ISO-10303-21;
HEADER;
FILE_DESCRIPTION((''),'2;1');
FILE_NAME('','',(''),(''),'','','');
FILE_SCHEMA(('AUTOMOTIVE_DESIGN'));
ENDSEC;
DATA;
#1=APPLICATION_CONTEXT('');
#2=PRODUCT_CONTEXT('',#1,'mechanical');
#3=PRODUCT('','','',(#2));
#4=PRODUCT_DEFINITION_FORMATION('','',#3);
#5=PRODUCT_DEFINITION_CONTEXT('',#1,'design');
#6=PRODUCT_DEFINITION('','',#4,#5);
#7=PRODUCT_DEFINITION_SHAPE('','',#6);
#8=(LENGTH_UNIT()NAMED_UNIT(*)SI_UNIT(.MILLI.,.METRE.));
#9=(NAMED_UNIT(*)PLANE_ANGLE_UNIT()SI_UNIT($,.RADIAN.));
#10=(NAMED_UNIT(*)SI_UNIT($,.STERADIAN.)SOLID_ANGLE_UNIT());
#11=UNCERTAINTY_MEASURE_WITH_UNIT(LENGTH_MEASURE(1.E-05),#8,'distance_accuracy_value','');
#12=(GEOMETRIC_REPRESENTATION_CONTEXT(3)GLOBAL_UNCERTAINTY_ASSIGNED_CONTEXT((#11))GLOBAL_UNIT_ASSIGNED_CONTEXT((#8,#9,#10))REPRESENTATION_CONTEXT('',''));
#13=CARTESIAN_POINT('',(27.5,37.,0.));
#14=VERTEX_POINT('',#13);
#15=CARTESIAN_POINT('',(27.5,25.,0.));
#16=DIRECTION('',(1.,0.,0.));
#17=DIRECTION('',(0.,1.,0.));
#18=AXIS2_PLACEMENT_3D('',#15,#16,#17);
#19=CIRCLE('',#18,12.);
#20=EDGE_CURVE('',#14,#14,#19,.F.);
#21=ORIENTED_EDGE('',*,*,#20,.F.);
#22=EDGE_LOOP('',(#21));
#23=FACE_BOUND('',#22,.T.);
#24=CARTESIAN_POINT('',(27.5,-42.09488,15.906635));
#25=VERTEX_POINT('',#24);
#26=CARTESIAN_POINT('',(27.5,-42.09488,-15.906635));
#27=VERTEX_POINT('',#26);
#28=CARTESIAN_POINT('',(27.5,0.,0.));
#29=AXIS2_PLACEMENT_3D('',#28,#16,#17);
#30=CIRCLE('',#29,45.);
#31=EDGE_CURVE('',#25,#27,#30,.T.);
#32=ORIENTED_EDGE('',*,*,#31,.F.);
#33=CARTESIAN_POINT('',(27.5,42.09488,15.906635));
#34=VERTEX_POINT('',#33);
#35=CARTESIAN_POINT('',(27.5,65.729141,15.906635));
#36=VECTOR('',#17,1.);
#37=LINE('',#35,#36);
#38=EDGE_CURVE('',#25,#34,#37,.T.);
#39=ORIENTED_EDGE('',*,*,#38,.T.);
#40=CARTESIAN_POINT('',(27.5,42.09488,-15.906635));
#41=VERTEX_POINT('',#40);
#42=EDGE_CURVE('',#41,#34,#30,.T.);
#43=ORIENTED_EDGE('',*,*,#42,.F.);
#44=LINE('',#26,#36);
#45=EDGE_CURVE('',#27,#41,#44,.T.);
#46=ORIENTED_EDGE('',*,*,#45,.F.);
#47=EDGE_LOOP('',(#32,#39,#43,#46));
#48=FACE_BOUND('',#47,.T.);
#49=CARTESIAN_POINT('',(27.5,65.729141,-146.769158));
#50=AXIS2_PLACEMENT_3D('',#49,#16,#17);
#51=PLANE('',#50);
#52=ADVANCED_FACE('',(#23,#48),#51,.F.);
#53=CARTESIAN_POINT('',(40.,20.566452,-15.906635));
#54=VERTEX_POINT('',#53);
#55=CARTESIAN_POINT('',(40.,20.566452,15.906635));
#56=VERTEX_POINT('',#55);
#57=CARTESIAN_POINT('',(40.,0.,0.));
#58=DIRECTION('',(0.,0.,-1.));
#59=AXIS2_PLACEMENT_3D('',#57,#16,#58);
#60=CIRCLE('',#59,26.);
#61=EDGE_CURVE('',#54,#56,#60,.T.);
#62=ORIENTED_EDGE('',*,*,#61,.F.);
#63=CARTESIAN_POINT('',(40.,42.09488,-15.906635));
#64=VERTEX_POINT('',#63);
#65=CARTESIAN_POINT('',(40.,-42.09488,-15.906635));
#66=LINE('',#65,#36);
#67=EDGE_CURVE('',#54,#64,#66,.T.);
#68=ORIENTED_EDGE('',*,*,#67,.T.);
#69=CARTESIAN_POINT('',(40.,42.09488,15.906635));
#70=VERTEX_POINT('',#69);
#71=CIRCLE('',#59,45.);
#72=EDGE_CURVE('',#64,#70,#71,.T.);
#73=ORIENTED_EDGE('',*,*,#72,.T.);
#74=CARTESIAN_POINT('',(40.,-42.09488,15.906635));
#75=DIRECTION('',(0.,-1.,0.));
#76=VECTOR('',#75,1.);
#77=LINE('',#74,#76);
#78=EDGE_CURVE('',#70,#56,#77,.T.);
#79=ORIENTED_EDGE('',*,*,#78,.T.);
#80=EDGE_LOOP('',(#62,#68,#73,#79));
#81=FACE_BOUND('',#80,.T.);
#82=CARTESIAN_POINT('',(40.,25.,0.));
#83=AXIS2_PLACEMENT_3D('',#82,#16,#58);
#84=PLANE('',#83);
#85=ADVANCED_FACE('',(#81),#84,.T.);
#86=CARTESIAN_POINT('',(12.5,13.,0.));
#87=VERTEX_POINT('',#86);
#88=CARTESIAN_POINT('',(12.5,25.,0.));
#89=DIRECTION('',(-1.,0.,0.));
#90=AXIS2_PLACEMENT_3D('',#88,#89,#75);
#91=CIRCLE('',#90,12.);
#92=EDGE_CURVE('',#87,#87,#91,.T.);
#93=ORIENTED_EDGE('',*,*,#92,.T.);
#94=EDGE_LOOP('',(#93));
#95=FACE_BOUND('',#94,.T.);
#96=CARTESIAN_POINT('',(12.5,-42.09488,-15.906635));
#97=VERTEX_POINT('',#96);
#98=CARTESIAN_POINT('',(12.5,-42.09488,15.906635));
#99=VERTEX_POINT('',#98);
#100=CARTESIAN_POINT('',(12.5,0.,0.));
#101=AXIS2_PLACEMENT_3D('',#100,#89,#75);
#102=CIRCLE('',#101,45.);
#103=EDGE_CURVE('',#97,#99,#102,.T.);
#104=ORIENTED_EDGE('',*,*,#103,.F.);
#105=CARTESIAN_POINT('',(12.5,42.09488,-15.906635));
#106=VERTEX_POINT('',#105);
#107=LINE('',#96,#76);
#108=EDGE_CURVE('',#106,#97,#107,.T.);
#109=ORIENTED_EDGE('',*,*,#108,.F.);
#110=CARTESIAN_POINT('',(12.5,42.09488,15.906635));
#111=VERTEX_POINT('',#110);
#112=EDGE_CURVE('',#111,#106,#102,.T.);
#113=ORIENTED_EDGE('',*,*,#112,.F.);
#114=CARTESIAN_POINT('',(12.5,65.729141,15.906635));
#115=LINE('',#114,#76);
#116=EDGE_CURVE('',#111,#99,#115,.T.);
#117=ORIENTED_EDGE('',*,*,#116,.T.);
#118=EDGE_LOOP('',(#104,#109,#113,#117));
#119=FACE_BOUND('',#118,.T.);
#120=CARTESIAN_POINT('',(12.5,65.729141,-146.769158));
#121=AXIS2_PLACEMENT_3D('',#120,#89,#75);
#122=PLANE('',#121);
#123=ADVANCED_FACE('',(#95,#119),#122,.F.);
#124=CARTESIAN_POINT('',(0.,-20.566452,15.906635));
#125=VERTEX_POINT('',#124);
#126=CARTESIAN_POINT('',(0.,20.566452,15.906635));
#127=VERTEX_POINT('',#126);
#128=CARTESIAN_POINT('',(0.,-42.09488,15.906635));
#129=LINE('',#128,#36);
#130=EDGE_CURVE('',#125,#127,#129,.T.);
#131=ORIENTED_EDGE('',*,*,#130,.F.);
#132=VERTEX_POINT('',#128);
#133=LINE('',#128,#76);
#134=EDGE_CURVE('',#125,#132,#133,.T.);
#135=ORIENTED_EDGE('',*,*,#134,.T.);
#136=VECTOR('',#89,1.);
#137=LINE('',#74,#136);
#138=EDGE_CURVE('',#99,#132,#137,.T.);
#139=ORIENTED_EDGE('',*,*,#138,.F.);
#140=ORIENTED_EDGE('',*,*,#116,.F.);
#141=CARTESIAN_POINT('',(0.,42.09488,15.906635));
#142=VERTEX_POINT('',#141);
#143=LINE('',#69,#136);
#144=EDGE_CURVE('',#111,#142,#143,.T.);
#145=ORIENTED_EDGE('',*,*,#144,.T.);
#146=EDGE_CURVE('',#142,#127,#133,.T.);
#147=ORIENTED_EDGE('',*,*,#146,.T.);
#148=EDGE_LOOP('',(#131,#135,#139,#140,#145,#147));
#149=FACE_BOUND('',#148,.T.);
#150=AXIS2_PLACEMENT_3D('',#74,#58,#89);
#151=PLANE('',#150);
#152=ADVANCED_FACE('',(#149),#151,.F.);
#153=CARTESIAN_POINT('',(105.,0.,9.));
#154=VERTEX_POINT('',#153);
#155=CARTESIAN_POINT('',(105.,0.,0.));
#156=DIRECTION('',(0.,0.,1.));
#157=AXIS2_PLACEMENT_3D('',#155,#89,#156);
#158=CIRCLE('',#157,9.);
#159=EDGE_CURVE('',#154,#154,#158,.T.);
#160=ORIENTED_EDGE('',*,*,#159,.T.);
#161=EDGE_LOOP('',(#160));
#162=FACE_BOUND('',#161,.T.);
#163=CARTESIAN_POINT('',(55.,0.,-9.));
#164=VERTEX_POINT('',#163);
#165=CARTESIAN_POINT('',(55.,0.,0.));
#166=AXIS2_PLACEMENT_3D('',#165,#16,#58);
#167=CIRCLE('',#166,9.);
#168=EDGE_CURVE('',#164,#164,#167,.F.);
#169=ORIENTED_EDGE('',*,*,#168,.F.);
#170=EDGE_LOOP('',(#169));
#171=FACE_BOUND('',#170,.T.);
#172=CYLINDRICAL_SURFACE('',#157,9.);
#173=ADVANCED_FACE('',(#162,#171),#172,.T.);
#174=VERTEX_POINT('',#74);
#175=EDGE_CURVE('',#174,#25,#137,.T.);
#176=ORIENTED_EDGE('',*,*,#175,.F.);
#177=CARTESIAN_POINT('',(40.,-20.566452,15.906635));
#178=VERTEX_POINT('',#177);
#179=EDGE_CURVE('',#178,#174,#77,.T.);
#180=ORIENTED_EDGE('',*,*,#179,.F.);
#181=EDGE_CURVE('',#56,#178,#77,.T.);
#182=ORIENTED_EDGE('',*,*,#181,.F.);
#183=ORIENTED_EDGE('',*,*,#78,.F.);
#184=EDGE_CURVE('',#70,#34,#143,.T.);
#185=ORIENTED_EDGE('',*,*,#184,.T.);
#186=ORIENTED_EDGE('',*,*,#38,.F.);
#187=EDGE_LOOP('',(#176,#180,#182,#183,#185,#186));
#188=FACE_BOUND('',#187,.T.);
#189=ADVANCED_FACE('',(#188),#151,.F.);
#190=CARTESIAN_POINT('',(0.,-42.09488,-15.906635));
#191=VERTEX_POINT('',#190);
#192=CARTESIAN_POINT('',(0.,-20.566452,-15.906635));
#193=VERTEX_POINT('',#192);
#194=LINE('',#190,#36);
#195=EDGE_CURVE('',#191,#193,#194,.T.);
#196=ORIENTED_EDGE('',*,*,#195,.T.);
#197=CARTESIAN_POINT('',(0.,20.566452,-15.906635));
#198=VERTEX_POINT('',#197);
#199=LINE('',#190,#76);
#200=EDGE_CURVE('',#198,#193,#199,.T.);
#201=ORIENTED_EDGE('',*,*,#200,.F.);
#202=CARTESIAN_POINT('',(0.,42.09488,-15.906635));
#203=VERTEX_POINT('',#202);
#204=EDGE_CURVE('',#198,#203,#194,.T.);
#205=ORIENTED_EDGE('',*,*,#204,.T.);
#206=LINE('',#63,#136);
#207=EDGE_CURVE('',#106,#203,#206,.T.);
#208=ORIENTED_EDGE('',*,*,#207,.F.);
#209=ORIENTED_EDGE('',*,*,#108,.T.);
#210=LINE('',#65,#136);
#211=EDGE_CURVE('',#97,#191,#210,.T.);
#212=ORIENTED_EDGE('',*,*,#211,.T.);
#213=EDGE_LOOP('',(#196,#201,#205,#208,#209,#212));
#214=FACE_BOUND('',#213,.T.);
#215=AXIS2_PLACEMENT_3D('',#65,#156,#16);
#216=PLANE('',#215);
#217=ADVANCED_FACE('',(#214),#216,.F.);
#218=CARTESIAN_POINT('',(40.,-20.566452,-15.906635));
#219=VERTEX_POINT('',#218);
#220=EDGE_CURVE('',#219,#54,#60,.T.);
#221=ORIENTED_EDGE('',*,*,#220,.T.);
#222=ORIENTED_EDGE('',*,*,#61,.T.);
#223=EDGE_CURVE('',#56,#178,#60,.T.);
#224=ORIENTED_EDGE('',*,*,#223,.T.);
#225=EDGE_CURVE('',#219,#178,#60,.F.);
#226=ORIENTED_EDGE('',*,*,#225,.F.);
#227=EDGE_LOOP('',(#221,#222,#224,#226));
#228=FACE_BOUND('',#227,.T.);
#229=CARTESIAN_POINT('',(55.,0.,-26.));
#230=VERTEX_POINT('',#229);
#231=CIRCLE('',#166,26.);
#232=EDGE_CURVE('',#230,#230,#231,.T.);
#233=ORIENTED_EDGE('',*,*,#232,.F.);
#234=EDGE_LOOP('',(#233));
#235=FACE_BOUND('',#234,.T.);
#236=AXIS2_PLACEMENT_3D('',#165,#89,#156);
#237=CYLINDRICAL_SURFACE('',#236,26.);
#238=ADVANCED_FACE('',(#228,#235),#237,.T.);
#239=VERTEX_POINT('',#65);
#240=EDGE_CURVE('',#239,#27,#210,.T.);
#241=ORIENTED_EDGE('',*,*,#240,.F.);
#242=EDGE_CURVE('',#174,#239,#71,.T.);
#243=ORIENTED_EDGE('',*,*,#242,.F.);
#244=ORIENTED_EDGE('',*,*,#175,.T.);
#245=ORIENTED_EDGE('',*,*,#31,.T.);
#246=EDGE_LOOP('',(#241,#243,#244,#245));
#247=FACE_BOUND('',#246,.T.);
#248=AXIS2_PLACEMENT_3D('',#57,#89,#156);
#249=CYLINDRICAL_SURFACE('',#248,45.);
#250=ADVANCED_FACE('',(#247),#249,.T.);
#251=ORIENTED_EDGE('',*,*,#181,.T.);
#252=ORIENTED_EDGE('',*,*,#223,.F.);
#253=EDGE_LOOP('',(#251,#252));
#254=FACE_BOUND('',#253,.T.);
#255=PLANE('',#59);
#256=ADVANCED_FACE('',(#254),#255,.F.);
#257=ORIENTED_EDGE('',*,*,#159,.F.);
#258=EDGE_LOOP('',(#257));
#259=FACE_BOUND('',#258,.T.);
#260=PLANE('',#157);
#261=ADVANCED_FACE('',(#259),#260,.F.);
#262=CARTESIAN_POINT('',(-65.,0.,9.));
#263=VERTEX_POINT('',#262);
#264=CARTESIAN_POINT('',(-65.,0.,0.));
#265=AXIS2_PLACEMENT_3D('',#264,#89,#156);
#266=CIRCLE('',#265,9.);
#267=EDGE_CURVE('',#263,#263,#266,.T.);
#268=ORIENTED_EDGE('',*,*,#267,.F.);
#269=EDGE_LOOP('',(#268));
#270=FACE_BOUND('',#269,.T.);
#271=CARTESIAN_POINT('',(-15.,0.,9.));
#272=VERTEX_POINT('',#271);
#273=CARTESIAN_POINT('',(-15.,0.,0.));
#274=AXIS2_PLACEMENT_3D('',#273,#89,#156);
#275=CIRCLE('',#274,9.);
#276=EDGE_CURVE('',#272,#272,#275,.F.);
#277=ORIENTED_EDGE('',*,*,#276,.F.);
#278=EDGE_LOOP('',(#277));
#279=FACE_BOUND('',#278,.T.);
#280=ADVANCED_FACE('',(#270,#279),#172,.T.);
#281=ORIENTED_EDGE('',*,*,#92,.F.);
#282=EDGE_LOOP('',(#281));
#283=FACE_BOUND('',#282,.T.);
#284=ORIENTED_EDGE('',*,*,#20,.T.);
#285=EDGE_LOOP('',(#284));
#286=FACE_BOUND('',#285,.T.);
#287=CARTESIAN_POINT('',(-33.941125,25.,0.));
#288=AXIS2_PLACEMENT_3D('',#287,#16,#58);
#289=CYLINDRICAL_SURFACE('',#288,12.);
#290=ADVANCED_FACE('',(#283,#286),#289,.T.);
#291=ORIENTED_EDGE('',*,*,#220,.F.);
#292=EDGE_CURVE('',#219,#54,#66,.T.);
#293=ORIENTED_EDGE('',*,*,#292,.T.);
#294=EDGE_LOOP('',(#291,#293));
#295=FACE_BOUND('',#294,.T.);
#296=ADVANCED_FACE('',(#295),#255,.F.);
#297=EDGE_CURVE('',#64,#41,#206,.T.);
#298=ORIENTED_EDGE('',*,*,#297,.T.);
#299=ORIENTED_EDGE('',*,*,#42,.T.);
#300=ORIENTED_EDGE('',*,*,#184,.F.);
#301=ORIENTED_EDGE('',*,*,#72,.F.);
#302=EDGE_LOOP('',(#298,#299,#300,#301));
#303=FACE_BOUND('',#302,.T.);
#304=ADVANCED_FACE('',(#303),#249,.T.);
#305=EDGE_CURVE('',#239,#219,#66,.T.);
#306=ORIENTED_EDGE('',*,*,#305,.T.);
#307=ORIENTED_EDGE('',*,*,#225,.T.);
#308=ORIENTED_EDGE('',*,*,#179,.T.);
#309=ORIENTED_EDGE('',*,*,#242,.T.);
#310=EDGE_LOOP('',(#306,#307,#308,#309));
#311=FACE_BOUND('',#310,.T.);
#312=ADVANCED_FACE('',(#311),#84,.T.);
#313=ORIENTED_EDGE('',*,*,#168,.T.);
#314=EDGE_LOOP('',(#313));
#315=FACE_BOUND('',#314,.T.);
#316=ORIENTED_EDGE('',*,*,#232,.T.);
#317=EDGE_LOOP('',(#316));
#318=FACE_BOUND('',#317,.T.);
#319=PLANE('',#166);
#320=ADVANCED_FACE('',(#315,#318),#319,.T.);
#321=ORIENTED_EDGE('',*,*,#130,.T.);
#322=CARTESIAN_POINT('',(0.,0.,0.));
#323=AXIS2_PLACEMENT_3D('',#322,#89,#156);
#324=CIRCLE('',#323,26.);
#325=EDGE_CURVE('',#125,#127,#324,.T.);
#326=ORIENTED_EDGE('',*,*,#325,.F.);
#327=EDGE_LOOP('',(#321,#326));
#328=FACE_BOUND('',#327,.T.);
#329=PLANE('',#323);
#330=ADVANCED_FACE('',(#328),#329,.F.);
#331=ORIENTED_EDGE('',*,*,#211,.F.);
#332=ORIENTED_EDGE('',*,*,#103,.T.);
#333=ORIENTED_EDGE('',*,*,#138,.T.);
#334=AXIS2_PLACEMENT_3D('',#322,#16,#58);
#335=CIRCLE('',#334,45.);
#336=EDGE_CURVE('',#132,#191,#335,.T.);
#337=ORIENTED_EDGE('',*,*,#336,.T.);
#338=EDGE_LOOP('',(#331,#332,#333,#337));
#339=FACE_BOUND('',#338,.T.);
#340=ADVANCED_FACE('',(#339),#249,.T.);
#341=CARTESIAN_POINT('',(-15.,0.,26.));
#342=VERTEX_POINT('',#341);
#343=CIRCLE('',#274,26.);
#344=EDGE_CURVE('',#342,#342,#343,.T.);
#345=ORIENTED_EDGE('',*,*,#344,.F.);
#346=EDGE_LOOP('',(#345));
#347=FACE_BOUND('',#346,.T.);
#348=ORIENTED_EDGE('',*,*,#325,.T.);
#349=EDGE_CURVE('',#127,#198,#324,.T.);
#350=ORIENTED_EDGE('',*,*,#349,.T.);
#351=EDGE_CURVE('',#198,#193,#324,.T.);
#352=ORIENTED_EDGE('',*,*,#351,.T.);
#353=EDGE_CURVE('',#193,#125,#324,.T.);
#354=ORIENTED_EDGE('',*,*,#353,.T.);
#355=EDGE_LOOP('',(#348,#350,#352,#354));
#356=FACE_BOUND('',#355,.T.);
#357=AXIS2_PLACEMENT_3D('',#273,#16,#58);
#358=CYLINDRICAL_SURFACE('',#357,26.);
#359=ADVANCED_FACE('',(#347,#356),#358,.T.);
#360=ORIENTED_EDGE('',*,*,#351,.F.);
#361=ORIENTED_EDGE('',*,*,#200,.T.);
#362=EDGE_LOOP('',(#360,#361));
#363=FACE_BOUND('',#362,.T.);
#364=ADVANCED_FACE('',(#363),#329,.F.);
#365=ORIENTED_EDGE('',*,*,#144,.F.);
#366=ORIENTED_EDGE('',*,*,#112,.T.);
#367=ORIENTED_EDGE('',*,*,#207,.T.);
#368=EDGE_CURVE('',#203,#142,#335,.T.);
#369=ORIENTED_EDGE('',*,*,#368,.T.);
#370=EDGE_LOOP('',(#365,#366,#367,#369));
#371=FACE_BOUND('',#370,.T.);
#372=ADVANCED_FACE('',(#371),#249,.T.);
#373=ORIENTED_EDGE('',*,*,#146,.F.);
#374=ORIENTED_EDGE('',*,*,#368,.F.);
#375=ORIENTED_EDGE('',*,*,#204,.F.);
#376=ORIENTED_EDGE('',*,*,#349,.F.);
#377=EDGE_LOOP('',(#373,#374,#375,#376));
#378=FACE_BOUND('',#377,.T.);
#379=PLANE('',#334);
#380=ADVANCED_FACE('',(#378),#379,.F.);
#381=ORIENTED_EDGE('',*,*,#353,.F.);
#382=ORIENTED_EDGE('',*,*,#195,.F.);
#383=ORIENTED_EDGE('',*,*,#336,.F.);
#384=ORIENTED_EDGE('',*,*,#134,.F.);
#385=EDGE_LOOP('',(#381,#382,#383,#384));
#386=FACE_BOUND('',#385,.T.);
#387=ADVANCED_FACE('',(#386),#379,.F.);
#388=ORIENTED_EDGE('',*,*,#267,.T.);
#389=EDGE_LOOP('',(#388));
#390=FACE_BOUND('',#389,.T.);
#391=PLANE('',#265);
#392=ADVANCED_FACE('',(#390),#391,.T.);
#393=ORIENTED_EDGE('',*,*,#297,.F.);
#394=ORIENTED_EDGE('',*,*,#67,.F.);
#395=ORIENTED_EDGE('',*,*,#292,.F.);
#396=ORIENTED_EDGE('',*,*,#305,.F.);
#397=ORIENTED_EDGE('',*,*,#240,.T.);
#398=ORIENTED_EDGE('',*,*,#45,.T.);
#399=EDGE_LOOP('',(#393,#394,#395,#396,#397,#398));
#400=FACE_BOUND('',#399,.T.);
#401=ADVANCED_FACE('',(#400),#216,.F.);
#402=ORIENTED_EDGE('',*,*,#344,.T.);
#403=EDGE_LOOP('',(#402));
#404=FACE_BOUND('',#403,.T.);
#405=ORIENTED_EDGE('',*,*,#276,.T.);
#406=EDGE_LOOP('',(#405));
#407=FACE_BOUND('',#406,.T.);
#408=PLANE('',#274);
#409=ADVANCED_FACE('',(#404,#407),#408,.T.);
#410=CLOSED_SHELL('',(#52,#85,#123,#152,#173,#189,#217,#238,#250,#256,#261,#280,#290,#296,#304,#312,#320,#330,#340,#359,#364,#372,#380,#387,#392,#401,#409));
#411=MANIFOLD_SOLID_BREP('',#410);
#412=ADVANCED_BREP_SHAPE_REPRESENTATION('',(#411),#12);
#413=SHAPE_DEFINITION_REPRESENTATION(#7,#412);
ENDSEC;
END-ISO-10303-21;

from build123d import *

# Parameters (mm, degrees)
BOSS_EXTRUDE1_DEPTH      = 40
BOSS_EXTRUDE2_DEPTH      = 65
BOSS_EXTRUDE2_DEPTH_BACK = 105
SKETCH2_R                = 9
SKETCH3_W                = 15
SKETCH3_H                = 130
CUT_EXTRUDE1_DEPTH       = 31.813269935
SKETCH4_R                = 12
BOSS_EXTRUDE3_DEPTH      = 40
SKETCH5_R                = 26
BOSS_EXTRUDE4_DEPTH      = 15
SKETCH6_R                = 26
BOSS_EXTRUDE5_DEPTH      = 15


with BuildPart() as part:
    # Sketch1 → Boss-Extrude1 (new body)
    with BuildSketch(Plane(origin=(0, 0, 0), x_dir=(0, 0, -1), z_dir=(1, 0, 0))):
        with BuildLine():
            Line((-15.906634967, -42.094880497), (-15.906634967, 42.094880497))
            ThreePointArc((-15.906634967, 42.094880497), (0, 45), (15.906634967, 42.094880497))
            Line((15.906634967, 42.094880497), (15.906634967, -42.094880497))
            ThreePointArc((15.906634967, -42.094880497), (0, -45), (-15.906634967, -42.094880497))
        make_face()
    extrude(amount=BOSS_EXTRUDE1_DEPTH)

    # Sketch2 → Boss-Extrude2 (add, two sides: drawn at the far end of the back side and taken through both)
    with BuildSketch(Plane.ZY.offset(-BOSS_EXTRUDE2_DEPTH_BACK)):
        Circle(SKETCH2_R)
    extrude(amount=BOSS_EXTRUDE2_DEPTH + BOSS_EXTRUDE2_DEPTH_BACK)

    # Sketch3 → Cut-Extrude1 (cut)
    with BuildSketch(Plane.XY.offset(15.906634967)):
        with Locations((20, 0.729141458)):
            Rectangle(SKETCH3_W, SKETCH3_H)
    extrude(amount=-CUT_EXTRUDE1_DEPTH, mode=Mode.SUBTRACT)


with BuildPart() as cut_extrude1_piece_1:
    # of the separate pieces the step leaves, piece 1, a body of its own (cut_extrude1_pieces)
    add(part.part.solids().sort_by_distance((0, -42.094880497, -15.906634967))[0])



with BuildPart() as cut_extrude1_piece_2:
    # of the separate pieces the step leaves, piece 2, a body of its own (cut_extrude1_pieces)
    add(part.part.solids().sort_by_distance((27.5, -42.094880497, -15.906634968))[0])


with BuildPart() as cut_extrude1_piece_1_1:
    add(cut_extrude1_piece_1.part)

    add(cut_extrude1_piece_2.part)  # Boss-Extrude3 merges Cut-Extrude1 piece 2
    # Sketch4 → Boss-Extrude3 (add)
    with BuildSketch(Plane(origin=(40, 0, 0), x_dir=(0, 0, -1), z_dir=(1, 0, 0))):
        with Locations(Location((0, 25, 0), (0, 0, 90))):
            Circle(SKETCH4_R)
    extrude(amount=-BOSS_EXTRUDE3_DEPTH)

    # Sketch5 → Boss-Extrude4 (add)
    with BuildSketch(Plane.ZY):
        with Locations(Location((0, 0, 0), (0, 0, 127.719309026))):
            Circle(SKETCH5_R)
    extrude(amount=BOSS_EXTRUDE4_DEPTH)

    # Sketch6 → Boss-Extrude5 (add)
    with BuildSketch(Plane(origin=(40, 0, 0), x_dir=(0, 0, -1), z_dir=(1, 0, 0))):
        with Locations(Location((0, 0, 0), (0, 0, 52.280690974))):
            Circle(SKETCH6_R)
    extrude(amount=BOSS_EXTRUDE5_DEPTH)


solid = cut_extrude1_piece_1_1.part
